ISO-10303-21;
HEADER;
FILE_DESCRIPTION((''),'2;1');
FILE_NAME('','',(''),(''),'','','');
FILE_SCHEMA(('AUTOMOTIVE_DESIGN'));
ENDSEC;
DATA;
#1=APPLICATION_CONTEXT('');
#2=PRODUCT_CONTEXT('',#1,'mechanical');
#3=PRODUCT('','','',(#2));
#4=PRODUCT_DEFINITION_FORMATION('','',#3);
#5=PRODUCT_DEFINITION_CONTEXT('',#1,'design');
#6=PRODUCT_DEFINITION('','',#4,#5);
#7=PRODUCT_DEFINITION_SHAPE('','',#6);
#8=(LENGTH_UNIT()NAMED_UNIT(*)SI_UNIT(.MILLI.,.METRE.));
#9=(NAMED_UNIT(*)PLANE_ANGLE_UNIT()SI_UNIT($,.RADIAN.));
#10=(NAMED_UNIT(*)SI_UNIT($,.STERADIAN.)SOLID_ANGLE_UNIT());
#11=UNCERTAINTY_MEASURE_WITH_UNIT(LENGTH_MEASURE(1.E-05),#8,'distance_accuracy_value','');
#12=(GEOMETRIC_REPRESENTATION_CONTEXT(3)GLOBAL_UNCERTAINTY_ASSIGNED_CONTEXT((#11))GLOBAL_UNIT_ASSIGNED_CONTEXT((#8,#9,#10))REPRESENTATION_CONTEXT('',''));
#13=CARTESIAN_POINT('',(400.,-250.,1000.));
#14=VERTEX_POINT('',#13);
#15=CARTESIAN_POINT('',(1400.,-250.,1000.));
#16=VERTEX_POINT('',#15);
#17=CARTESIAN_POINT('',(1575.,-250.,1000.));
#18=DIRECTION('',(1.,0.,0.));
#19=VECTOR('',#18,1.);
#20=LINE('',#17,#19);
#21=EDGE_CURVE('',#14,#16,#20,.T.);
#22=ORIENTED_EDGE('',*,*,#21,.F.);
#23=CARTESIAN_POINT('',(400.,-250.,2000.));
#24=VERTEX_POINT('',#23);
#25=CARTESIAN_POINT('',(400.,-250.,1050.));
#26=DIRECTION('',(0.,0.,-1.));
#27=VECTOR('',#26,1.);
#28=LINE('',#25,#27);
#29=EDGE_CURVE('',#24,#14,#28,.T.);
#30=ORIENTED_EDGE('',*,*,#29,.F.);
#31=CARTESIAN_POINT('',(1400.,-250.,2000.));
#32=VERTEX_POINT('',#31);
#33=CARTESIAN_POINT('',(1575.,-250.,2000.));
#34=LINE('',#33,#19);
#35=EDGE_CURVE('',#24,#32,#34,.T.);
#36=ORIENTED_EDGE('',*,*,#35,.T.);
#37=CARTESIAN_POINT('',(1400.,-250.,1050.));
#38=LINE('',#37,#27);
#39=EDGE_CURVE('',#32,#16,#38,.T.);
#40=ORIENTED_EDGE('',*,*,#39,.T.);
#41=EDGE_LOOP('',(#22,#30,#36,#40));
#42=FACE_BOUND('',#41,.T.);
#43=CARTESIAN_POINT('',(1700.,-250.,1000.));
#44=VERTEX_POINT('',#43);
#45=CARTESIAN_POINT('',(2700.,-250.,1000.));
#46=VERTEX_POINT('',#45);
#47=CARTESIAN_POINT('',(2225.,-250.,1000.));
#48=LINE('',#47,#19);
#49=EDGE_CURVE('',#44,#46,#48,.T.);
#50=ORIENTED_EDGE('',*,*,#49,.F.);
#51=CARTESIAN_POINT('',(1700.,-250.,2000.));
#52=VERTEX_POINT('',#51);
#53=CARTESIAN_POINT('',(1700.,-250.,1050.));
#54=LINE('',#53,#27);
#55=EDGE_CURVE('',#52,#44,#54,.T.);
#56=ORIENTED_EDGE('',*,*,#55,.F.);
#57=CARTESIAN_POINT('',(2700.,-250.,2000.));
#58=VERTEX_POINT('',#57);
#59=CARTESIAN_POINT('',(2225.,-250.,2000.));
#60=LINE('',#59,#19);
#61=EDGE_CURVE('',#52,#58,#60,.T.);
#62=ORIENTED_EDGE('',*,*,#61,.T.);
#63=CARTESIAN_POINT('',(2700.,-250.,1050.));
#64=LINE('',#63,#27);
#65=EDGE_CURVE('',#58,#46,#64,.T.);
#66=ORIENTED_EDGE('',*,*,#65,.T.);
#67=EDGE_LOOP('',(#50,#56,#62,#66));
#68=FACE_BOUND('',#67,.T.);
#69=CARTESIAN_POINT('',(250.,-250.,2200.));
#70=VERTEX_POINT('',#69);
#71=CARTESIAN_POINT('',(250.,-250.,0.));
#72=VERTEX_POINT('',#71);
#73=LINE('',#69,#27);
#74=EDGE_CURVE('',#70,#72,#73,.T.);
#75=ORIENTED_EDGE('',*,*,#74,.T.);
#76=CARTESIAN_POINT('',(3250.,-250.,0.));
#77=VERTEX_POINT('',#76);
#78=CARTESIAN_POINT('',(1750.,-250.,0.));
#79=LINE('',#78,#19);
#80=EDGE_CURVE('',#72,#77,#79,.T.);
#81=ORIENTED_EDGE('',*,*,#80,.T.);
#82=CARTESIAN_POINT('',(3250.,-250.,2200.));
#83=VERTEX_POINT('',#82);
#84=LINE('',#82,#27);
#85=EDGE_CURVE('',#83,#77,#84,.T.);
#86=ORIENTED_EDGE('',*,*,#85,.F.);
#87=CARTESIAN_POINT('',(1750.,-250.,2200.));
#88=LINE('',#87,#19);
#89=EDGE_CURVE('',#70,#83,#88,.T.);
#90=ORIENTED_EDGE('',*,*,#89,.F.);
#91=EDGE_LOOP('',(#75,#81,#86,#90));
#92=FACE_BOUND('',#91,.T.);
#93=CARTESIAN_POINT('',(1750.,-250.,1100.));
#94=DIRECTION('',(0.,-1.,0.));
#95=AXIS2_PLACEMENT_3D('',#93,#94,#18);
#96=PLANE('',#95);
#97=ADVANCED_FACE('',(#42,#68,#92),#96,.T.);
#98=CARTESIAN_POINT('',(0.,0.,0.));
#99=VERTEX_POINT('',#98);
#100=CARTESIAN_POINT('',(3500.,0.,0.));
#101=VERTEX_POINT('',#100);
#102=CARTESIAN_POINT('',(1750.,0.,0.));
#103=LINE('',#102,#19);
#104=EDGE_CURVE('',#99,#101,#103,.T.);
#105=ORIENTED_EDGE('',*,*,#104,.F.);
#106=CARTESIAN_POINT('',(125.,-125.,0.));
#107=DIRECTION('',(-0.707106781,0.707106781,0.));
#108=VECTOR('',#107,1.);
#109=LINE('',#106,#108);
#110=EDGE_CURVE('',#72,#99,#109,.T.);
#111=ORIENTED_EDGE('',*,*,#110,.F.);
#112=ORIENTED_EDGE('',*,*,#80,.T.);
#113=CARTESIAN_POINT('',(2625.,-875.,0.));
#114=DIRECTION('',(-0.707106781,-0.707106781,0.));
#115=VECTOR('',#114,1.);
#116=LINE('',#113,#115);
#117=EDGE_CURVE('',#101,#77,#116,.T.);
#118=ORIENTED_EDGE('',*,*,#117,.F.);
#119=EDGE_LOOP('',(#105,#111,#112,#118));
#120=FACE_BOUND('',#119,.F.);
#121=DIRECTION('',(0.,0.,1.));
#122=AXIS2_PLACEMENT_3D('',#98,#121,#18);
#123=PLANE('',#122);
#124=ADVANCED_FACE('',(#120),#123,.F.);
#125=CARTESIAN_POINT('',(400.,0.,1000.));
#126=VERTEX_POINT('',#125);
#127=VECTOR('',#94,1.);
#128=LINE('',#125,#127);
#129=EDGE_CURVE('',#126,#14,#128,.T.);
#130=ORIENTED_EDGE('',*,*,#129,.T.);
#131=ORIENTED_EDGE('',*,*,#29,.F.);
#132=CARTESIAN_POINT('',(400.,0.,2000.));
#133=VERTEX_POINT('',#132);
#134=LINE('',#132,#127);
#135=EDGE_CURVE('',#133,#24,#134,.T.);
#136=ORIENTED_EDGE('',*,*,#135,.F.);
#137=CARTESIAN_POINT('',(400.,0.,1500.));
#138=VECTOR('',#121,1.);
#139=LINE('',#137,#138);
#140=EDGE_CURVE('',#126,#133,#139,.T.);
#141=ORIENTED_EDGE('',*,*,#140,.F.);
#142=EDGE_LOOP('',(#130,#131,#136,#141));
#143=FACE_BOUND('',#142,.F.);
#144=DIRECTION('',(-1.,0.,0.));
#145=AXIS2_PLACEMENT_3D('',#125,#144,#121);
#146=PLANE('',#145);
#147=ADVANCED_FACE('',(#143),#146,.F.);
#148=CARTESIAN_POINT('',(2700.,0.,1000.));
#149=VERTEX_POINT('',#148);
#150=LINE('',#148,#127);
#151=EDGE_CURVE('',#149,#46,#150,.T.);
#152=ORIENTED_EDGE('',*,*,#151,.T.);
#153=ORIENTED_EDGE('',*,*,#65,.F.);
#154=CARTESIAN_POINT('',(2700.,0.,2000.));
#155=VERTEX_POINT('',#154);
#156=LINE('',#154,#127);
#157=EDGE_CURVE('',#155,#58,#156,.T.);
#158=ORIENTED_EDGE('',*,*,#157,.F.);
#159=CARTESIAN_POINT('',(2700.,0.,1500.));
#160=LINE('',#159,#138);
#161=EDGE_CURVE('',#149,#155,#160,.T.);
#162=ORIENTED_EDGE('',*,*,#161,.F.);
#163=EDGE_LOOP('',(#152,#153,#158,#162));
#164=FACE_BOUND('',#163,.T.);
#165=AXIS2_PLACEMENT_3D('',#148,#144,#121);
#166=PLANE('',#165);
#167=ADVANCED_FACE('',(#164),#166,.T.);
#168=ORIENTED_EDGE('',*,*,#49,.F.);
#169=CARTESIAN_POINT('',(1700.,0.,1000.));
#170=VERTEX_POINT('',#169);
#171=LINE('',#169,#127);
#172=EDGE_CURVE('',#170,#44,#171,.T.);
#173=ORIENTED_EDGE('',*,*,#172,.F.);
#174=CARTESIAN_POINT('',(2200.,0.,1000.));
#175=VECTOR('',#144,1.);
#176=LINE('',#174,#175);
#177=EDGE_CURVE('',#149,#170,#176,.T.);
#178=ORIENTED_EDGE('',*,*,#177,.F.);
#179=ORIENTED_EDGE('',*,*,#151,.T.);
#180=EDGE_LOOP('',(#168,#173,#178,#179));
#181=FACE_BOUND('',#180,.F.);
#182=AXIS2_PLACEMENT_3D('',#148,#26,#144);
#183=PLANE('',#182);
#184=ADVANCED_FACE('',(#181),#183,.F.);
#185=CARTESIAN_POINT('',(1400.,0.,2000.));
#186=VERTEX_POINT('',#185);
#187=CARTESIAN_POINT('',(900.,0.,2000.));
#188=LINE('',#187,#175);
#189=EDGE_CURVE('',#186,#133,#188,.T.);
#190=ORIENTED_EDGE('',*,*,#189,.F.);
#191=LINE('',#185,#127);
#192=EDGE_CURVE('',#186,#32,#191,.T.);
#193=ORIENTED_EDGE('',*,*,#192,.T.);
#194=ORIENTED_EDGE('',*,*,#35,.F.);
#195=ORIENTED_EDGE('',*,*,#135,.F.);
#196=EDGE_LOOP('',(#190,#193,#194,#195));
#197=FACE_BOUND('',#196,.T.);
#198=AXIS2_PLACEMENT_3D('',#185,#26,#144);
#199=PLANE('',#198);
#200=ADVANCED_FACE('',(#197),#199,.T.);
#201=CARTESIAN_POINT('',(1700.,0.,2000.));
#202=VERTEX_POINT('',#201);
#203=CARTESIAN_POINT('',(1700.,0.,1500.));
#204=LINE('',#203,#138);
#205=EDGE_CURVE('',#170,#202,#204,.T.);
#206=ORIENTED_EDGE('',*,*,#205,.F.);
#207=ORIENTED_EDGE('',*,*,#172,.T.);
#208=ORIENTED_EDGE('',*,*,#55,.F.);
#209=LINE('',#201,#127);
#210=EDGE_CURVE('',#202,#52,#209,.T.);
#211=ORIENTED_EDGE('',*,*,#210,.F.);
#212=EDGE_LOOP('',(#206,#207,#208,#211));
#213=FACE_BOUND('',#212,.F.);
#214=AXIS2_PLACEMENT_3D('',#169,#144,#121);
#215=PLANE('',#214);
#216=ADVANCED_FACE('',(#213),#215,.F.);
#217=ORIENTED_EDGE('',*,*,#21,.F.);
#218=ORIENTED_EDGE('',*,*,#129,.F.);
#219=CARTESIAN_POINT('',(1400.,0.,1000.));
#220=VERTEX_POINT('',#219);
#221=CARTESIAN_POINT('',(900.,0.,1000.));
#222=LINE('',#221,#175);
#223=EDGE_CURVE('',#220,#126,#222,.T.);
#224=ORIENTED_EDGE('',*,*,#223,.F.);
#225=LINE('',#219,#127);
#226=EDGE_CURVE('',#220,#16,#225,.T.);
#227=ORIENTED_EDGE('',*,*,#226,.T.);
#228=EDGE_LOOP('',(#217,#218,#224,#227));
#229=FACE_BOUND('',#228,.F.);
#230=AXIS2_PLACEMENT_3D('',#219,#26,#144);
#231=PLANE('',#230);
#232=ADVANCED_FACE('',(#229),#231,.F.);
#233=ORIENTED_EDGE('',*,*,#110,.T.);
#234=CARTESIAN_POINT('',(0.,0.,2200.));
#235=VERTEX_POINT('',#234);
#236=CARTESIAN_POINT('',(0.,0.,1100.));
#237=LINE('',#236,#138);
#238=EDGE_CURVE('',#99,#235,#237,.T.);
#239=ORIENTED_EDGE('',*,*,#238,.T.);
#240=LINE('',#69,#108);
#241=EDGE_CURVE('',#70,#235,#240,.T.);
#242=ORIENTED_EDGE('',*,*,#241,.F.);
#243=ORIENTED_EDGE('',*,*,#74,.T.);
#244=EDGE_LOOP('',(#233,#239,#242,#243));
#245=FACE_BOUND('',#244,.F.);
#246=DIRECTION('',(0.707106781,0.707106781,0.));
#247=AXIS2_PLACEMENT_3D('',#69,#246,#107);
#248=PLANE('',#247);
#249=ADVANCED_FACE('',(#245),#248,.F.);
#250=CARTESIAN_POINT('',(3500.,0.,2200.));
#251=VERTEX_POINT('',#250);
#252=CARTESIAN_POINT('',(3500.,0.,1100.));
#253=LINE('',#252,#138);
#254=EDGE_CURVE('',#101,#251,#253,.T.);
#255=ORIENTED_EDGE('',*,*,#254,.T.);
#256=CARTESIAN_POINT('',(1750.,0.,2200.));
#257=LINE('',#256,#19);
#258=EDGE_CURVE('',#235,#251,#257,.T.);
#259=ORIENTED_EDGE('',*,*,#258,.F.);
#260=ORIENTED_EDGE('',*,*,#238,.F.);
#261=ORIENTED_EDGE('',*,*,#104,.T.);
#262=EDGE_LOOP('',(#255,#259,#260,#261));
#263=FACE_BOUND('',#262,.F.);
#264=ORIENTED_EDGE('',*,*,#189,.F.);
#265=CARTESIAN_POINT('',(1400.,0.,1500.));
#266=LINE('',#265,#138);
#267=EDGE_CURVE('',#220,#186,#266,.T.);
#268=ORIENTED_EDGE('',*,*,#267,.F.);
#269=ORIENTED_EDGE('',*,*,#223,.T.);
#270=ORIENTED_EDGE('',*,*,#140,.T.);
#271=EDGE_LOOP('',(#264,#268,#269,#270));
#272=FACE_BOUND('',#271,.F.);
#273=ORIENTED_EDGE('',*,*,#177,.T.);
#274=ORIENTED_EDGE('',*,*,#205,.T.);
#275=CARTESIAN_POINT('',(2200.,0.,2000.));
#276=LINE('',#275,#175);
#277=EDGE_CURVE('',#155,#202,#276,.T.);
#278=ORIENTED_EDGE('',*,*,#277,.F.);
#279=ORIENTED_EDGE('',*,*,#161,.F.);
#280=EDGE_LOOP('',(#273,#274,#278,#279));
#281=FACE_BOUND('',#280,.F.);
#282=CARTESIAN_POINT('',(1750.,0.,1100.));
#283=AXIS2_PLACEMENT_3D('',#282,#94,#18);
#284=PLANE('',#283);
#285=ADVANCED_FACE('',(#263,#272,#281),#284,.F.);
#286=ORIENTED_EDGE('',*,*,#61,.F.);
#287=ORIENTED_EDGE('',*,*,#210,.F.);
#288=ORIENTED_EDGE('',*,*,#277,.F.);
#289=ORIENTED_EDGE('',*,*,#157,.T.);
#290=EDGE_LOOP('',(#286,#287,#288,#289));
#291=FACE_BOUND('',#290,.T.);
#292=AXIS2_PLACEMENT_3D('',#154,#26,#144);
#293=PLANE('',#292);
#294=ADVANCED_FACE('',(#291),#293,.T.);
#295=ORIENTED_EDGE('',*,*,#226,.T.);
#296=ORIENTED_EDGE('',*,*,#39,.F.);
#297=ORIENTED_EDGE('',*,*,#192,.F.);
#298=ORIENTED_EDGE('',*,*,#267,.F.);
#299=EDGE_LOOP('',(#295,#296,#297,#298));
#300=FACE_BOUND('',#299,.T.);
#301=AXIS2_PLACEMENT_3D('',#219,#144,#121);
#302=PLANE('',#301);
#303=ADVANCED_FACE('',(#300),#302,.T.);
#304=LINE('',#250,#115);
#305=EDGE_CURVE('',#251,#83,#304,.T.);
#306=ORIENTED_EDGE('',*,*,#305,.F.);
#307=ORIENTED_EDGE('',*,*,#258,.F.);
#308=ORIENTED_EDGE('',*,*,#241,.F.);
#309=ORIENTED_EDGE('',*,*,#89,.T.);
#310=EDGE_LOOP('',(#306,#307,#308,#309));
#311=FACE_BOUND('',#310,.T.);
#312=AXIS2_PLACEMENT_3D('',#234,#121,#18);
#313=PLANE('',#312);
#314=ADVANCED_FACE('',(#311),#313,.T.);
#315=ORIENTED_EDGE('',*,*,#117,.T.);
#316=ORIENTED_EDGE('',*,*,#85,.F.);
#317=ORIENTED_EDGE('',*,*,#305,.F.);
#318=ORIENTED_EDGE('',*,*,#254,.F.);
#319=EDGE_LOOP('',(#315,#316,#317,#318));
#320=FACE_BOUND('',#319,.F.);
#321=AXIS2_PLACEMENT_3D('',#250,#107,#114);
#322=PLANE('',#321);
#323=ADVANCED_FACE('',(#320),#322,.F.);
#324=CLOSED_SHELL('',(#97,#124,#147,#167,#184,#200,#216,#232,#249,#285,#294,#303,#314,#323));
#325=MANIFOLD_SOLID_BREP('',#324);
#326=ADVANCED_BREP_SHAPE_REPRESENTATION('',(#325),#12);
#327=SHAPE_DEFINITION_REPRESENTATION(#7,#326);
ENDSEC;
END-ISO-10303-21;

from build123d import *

# Parameters (mm, degrees)
F0_W     = 3500
F0_H     = 2200
F1_DEPTH = 250
F3_DEPTH = 2200.001
F4_W     = 1000
F4_H     = 1000
F5_DEPTH = 250.001


with BuildPart() as f1:
    # F0 (on Front) → F1 (new body)
    with BuildSketch(Plane.XZ):
        with Locations((1750, 1100)):
            Rectangle(F0_W, F0_H)
    extrude(amount=F1_DEPTH)

    # F2 (on face) → F3 (cut, through all)
    with BuildSketch(Plane.XY.offset(2200)):
        Polygon((250, -250), (0, 0), (0, -250), align=None)
        Polygon((3250, -250), (3500, -250), (3500, 0), align=None)
    extrude(amount=-F3_DEPTH, mode=Mode.SUBTRACT)

    # F4 (on face) → F5 (cut, through all)
    with BuildSketch(Plane(origin=(0, 0, 0), x_dir=(-1, 0, 0), z_dir=(0, 1, 0))):
        with Locations((-2200, 1500)):
            Rectangle(F4_W, F4_H)
        with Locations((-900, 1500)):
            Rectangle(F4_W, F4_H)
    extrude(amount=-F5_DEPTH, mode=Mode.SUBTRACT)


solid = f1.part
